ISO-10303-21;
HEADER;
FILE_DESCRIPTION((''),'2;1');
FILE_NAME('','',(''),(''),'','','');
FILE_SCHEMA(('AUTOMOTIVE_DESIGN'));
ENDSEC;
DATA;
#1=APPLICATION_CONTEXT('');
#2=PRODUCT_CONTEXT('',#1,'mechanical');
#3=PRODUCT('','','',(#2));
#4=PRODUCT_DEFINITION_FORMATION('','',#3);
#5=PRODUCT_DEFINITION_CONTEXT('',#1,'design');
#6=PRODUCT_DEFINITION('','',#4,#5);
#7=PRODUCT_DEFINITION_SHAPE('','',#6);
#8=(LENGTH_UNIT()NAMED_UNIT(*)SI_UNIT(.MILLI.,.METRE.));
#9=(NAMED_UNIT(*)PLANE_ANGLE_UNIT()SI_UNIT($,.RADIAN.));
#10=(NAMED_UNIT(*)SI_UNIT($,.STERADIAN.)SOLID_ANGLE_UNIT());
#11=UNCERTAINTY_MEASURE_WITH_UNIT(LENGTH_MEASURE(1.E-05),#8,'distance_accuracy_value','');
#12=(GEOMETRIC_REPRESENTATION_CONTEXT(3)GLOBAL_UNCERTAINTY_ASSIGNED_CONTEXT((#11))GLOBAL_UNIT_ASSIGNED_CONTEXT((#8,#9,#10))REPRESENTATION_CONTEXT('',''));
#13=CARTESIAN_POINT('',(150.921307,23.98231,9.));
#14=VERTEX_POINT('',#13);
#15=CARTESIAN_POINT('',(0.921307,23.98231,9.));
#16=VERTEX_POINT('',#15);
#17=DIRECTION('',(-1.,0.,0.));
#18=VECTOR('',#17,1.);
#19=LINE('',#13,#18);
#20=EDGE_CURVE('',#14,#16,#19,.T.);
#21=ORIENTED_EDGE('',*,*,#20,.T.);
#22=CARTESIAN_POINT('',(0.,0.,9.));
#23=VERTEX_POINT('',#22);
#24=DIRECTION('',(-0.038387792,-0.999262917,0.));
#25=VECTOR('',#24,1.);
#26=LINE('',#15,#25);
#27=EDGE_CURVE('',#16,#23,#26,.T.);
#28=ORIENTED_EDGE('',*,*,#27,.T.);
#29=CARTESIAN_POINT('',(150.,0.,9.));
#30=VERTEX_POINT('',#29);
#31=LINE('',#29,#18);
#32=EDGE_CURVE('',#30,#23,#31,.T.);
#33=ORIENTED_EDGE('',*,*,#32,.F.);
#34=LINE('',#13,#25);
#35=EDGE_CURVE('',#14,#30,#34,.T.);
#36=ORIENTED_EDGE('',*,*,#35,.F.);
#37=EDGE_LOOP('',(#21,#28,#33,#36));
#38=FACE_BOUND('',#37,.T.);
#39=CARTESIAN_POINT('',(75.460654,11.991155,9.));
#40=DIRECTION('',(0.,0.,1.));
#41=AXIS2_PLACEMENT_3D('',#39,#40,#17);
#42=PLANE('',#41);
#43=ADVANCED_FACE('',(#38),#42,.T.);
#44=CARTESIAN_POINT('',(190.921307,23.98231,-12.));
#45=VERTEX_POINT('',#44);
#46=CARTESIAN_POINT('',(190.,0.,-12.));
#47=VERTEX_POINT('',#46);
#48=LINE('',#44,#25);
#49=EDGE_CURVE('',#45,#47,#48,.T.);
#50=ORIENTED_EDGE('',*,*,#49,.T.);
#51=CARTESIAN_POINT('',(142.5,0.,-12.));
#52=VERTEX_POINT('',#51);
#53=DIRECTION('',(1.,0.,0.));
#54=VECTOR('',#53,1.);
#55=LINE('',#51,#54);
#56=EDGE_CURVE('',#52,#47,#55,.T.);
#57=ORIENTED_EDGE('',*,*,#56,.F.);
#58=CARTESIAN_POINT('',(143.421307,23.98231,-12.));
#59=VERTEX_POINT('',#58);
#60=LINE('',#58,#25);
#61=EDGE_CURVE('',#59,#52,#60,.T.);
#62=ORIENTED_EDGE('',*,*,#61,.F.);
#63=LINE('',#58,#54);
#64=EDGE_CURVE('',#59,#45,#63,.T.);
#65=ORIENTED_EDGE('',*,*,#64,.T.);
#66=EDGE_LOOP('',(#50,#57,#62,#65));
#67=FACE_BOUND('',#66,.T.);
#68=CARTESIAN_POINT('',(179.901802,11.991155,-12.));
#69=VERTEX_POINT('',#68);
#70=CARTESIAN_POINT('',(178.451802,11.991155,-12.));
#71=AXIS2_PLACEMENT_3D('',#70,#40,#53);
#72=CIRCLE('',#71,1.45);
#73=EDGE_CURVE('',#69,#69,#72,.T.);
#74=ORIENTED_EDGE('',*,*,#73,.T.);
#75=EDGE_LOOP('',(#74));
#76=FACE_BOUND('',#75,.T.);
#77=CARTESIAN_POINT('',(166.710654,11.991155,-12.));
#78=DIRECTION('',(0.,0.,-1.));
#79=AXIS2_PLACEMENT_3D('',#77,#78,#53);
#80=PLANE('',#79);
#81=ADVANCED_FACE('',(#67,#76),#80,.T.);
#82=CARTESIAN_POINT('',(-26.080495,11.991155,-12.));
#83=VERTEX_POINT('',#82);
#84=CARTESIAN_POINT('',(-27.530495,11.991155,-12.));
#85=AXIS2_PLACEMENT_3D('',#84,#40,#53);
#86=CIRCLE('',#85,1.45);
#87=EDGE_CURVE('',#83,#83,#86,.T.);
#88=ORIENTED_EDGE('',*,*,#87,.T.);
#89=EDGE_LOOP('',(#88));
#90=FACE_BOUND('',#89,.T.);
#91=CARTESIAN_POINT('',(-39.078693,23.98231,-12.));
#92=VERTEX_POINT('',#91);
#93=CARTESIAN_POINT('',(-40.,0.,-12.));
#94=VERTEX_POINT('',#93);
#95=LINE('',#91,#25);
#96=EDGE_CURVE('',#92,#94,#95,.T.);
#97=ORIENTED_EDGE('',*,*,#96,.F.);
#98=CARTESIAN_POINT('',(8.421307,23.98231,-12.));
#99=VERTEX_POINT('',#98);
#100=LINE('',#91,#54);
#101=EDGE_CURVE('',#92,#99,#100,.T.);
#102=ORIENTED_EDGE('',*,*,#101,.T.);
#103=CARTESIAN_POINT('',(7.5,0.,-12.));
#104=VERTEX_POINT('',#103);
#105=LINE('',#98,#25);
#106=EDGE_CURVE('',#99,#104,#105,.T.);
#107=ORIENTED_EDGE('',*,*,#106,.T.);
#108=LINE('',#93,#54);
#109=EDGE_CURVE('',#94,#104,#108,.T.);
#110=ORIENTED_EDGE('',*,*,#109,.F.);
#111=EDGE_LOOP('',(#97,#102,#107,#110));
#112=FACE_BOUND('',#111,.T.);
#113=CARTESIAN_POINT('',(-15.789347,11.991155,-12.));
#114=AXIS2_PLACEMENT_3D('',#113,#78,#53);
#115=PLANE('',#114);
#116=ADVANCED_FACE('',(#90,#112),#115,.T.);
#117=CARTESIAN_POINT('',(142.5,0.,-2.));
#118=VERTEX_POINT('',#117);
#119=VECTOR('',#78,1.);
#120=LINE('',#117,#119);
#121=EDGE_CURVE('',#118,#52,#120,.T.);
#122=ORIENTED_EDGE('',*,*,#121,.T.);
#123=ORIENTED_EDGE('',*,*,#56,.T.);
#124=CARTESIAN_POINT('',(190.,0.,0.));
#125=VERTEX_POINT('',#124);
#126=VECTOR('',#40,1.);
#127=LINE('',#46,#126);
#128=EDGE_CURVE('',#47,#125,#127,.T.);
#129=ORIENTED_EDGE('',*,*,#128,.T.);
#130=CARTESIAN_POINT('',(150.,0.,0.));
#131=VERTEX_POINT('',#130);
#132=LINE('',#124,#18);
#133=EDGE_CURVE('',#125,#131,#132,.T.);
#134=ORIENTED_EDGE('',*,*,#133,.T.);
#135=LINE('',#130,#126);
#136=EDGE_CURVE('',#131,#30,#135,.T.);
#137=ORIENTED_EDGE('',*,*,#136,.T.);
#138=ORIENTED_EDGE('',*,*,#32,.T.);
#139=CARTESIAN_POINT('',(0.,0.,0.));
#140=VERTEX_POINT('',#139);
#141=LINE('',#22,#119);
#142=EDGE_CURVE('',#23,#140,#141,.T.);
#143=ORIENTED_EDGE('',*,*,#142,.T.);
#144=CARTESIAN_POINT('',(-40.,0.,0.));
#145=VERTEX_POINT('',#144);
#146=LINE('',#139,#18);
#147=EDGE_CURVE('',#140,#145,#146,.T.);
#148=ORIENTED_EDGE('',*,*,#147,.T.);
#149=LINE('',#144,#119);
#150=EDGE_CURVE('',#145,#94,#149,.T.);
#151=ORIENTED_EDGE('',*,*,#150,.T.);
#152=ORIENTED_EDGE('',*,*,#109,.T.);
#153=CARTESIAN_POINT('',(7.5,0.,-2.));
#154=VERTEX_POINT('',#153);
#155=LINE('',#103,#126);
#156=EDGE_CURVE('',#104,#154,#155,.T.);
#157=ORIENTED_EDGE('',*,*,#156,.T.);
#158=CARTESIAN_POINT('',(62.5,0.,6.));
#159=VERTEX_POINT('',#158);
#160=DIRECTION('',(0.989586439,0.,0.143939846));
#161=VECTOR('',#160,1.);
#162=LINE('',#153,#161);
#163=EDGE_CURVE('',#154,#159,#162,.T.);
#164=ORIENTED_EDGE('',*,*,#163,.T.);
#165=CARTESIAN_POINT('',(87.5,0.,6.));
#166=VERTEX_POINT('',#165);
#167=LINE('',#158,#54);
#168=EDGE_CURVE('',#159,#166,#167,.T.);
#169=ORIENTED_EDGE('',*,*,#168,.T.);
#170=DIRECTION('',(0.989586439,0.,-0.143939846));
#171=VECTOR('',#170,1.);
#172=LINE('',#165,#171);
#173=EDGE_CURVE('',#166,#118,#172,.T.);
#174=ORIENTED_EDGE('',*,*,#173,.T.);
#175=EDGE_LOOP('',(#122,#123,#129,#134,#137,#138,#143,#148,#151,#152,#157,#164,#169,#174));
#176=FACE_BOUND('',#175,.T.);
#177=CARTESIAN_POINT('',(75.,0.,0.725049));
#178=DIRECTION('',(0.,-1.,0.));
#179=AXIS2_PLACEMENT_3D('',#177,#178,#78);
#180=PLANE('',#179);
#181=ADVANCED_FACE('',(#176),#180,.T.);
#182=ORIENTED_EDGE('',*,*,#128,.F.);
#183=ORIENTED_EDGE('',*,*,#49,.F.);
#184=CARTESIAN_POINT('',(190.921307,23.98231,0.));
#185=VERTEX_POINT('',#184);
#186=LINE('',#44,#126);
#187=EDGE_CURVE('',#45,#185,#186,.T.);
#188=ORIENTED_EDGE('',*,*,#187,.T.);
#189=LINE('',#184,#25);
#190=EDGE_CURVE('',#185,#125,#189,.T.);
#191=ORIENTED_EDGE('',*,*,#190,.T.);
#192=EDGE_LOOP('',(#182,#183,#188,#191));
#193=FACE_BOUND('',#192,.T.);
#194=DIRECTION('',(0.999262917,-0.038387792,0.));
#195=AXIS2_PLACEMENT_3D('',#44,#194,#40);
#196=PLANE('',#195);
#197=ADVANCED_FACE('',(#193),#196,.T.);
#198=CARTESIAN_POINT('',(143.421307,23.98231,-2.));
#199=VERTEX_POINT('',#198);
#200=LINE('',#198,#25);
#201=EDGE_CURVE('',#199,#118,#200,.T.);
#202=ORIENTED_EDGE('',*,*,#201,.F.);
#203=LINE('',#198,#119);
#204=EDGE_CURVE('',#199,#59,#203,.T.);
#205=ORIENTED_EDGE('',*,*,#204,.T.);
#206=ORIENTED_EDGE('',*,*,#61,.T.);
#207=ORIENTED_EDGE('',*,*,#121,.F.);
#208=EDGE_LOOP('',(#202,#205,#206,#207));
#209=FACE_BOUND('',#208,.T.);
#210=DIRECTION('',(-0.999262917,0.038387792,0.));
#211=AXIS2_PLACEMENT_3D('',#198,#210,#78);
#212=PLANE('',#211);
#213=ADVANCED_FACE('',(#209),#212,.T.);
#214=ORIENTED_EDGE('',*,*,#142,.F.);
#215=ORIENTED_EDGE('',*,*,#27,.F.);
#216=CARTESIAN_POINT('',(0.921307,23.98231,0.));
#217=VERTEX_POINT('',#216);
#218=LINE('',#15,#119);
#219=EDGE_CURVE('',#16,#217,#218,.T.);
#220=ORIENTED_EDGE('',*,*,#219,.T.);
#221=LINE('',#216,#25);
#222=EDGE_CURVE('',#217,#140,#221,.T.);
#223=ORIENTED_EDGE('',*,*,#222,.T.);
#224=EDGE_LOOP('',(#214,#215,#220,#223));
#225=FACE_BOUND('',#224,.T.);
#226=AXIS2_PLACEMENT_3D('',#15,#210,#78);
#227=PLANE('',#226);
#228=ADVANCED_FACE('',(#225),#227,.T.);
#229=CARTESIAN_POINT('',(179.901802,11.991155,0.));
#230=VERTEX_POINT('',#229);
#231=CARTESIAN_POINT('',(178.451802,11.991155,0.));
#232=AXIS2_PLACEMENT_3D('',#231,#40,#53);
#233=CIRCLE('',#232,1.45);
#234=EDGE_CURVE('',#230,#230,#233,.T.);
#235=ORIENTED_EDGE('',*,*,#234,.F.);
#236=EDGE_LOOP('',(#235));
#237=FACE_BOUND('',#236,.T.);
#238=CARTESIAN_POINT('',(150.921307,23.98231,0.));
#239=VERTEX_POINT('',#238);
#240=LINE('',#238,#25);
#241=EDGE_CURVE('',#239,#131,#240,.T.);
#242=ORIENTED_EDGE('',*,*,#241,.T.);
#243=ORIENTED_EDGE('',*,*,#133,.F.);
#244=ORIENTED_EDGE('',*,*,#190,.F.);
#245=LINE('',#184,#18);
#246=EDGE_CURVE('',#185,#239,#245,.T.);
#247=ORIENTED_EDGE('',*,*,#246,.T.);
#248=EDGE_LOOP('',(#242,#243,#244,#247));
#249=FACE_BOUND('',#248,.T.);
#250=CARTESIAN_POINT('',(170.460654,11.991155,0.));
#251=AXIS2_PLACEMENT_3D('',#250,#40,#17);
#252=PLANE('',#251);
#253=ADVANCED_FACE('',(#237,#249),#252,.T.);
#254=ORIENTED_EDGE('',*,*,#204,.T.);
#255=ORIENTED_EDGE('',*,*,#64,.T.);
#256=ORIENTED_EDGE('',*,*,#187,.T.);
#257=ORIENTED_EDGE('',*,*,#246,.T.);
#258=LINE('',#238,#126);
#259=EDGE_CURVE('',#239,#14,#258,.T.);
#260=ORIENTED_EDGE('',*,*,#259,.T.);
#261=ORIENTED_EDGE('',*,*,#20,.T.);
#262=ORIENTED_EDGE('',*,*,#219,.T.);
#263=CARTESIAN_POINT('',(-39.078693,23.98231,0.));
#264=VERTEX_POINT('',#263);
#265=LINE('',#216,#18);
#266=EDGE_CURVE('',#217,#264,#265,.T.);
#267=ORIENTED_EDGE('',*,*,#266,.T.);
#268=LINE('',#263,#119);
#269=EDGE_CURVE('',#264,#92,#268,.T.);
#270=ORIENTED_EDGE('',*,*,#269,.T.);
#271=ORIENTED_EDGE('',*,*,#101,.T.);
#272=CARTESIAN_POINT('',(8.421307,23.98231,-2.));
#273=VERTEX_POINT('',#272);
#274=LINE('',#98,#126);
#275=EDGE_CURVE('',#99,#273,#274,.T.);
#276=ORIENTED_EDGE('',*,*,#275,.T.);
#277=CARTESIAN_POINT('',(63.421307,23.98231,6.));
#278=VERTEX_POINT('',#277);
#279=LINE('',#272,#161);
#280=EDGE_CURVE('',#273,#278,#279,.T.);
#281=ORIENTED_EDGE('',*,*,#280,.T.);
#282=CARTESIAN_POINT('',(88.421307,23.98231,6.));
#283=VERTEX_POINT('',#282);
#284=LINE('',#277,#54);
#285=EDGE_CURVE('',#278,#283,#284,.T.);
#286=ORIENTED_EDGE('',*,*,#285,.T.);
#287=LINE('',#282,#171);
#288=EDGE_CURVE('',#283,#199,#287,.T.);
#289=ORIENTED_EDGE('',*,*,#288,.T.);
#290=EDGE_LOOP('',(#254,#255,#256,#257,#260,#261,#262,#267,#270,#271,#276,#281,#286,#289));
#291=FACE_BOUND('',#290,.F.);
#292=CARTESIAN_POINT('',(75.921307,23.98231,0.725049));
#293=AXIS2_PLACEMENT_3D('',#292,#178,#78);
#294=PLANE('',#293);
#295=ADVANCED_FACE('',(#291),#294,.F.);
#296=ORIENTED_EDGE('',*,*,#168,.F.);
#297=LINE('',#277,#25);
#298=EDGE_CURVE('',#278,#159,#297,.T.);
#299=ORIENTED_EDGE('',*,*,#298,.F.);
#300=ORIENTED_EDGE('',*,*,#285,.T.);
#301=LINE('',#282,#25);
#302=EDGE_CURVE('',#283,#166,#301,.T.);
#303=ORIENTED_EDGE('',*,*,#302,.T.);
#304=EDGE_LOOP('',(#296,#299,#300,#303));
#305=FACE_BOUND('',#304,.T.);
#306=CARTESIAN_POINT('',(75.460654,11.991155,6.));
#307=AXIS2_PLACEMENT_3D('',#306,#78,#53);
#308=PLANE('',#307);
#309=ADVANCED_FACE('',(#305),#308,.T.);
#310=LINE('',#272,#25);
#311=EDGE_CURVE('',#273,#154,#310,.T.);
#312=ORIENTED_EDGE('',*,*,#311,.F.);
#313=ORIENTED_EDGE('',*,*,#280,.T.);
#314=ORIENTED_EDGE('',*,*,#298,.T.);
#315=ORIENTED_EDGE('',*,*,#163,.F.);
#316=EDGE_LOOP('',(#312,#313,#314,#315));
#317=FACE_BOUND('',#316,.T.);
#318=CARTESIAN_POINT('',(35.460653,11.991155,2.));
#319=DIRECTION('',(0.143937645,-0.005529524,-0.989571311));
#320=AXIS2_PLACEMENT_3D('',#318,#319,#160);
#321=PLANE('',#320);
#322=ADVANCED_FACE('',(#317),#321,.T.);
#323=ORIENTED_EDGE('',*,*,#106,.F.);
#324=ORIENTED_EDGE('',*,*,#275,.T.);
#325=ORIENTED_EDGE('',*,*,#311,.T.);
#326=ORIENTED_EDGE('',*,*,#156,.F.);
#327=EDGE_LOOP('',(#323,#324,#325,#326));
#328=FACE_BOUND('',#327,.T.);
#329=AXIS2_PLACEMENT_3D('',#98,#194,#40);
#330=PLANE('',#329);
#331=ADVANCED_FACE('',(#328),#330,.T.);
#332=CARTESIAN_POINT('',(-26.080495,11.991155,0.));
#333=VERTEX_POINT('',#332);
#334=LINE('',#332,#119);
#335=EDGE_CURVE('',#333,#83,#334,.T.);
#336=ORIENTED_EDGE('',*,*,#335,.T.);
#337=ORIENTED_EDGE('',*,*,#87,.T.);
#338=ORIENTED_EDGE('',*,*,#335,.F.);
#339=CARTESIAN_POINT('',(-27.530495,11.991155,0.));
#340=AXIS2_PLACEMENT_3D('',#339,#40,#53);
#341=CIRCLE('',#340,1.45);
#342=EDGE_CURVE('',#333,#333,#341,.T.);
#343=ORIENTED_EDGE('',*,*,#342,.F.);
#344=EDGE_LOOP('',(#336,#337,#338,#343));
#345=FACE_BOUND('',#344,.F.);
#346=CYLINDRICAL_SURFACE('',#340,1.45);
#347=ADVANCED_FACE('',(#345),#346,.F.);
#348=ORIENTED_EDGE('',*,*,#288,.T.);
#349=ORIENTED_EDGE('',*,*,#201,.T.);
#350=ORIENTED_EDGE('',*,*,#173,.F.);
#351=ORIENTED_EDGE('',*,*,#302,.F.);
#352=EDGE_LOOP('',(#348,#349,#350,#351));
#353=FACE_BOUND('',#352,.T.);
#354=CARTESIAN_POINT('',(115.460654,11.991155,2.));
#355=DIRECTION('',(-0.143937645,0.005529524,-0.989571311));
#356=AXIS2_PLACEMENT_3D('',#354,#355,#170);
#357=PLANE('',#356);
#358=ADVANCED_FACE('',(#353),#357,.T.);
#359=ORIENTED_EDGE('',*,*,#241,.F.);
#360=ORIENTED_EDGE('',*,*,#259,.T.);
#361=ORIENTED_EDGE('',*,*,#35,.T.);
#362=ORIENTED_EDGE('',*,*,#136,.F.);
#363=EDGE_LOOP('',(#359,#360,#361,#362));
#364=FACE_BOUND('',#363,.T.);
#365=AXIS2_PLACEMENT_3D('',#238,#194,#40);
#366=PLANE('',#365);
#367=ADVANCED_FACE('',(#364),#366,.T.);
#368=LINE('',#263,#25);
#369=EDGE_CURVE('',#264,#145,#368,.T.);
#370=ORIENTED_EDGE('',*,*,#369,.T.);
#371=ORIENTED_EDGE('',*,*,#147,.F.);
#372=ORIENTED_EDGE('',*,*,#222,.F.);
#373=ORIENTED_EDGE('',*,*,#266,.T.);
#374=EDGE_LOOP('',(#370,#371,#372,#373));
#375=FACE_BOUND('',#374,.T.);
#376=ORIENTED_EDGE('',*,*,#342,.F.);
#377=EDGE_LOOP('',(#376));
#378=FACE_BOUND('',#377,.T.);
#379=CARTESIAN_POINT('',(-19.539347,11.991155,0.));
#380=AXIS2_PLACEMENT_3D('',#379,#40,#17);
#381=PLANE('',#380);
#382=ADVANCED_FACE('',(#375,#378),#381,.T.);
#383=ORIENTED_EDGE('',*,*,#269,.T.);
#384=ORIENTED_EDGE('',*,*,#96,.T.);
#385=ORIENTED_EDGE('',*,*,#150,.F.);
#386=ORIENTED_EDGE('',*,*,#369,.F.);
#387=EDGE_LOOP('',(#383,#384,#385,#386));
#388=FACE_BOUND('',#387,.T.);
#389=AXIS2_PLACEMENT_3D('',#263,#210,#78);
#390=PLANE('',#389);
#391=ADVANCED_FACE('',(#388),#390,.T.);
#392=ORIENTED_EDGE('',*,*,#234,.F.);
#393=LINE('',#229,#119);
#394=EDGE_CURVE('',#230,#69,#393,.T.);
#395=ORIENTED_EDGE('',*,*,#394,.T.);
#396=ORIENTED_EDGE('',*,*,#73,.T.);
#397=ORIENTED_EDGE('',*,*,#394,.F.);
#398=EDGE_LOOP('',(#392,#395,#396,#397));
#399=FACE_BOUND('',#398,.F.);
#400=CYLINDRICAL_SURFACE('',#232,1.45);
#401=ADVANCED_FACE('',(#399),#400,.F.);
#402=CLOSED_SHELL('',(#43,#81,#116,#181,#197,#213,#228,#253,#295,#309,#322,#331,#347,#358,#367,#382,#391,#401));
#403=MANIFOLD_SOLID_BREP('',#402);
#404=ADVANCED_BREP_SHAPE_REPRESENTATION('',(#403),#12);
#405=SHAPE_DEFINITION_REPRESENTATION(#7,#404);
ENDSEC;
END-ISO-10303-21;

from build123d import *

# Parameters (mm, degrees)
F3_R     = 1.45
F4_DEPTH = 12


with BuildPart() as f2:
    # F2: sweep along a path in F1
    with BuildLine(Plane.XY) as f2_path:
        Line((-39.078693, 23.98231), (-40, 0))
    # F0 (on Front) → F2 (sweep)
    with BuildSketch(Plane.XZ):
        Polygon((0, 0), (-40, 0), (-40, -12), (7.5, -12), (7.5, -2), (62.5, 6), (87.5, 6), (142.5, -2), (142.5, -12), (190, -12), (190, 0), (150, 0), (150, 9), (0, 9), align=None)
    sweep(path=f2_path.line)

    # F3 (on face) → F4 (cut, through all)
    with BuildSketch(Plane.XY):
        with Locations((178.451802, 11.991155)):
            Circle(F3_R)
        with Locations((-27.530495, 11.991155)):
            Circle(F3_R)
    extrude(amount=-F4_DEPTH, mode=Mode.SUBTRACT)


solid = f2.part
